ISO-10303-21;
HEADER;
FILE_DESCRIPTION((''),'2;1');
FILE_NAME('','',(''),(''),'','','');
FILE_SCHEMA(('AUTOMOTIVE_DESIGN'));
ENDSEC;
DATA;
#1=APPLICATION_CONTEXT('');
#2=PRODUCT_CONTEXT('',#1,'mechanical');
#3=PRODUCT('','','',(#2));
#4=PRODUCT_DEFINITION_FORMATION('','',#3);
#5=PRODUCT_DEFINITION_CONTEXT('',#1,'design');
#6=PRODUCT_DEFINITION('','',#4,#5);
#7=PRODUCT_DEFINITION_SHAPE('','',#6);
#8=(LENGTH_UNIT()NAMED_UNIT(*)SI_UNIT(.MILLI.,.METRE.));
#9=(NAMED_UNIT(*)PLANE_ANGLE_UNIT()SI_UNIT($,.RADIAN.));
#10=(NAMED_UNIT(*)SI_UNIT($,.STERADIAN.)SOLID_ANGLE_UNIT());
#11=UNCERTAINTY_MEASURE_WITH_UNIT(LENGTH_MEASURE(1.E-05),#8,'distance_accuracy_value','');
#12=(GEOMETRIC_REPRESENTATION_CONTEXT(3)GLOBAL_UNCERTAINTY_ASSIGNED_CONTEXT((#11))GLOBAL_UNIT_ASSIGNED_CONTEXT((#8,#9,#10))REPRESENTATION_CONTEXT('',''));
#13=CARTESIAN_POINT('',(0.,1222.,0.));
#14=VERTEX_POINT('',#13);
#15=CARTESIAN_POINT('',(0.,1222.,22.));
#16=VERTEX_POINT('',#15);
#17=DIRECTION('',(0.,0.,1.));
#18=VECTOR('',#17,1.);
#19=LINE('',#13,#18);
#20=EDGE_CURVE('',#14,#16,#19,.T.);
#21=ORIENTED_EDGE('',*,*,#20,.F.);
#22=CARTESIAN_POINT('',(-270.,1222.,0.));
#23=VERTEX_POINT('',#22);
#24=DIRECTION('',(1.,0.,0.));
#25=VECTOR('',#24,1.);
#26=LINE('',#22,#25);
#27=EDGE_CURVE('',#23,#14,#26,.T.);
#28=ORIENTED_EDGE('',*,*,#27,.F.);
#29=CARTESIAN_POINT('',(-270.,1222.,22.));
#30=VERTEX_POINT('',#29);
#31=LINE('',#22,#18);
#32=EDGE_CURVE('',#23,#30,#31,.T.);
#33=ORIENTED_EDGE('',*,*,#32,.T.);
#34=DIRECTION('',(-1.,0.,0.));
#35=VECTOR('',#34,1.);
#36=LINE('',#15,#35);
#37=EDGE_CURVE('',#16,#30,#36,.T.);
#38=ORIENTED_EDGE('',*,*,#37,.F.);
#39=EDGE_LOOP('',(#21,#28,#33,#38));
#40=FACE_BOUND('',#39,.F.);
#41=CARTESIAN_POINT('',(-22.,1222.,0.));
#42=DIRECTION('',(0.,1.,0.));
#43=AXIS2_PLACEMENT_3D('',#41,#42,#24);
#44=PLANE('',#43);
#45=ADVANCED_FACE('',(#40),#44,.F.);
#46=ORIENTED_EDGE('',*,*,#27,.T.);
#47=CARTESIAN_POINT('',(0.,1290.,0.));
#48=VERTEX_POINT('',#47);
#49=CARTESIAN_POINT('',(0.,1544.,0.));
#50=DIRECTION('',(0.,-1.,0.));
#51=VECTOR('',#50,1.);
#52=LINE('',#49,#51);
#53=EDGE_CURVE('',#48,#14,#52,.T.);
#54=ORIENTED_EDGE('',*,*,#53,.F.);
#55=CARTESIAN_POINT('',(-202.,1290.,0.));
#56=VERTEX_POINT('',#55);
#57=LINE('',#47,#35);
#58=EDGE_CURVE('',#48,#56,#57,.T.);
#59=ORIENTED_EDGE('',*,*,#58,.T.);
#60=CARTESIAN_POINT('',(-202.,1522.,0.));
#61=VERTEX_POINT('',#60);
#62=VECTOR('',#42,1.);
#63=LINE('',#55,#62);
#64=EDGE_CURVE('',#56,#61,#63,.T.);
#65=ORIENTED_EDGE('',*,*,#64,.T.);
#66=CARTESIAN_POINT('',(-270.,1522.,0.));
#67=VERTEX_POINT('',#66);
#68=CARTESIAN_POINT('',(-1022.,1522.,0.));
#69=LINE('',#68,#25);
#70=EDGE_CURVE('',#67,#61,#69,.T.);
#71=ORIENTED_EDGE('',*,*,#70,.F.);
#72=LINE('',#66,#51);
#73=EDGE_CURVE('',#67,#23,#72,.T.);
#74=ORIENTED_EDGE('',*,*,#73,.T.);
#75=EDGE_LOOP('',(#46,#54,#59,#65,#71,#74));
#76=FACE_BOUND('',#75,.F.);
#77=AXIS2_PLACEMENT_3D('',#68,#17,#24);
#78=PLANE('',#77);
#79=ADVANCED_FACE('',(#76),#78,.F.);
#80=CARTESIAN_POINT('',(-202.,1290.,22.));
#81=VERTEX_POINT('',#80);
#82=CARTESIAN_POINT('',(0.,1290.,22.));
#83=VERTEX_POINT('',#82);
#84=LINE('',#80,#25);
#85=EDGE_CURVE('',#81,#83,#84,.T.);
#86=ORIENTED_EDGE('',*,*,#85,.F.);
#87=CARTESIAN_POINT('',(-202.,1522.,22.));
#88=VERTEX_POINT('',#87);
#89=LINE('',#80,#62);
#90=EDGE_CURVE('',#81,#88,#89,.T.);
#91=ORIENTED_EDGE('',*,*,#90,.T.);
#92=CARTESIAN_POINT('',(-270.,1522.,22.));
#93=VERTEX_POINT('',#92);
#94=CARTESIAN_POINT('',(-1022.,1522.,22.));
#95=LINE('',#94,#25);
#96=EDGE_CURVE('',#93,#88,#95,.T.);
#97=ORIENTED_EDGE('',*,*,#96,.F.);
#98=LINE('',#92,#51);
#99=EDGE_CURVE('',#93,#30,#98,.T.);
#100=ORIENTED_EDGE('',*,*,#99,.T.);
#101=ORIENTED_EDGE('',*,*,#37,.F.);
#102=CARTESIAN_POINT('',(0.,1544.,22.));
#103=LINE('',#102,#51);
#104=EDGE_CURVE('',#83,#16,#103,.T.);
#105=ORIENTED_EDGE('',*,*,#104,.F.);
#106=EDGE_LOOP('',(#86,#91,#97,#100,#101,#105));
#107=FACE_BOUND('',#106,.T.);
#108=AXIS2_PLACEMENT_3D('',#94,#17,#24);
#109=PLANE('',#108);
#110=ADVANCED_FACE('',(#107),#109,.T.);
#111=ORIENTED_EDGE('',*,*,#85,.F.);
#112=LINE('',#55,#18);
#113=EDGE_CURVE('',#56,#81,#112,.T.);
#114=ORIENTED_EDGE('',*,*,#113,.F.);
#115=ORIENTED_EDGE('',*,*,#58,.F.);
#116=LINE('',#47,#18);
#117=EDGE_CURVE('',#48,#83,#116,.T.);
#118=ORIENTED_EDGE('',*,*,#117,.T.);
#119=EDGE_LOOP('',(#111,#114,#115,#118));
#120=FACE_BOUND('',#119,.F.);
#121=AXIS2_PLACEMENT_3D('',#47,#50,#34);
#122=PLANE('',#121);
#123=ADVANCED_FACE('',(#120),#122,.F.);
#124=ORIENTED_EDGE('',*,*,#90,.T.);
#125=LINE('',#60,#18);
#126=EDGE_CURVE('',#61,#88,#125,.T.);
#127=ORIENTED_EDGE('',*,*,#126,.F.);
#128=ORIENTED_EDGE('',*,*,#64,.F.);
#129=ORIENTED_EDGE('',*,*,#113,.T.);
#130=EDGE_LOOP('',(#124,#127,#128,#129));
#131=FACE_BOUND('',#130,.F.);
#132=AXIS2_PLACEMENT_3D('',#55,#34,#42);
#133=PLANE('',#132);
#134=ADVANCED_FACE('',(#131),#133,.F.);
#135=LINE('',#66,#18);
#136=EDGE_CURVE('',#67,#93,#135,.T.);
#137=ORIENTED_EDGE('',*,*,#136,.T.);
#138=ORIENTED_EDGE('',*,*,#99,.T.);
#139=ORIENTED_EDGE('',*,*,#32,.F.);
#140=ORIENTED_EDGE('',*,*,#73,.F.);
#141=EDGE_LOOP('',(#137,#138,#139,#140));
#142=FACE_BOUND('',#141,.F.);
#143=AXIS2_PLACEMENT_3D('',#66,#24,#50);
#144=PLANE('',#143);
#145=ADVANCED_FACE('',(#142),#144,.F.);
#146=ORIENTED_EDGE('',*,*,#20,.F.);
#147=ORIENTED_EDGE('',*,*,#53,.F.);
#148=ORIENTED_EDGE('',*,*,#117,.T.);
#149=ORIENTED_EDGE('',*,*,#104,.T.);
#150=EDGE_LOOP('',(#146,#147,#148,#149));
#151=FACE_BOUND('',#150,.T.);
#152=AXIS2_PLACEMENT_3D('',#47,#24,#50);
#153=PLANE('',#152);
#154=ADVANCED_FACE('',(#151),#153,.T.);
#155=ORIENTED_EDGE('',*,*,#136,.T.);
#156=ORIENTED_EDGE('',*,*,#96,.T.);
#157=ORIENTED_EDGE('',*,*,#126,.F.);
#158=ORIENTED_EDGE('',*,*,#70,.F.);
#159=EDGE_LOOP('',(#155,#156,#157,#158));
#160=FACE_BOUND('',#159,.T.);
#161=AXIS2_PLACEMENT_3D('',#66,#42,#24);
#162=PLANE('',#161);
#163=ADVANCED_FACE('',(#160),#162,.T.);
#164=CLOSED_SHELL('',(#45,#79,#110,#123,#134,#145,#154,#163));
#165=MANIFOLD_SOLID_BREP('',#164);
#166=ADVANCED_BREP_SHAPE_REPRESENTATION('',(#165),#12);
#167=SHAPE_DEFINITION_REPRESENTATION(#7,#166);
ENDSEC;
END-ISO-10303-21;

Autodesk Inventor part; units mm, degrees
ref_plane "YZ Plane" through (0, 0, 0) normal (1, 0, 0) x (0, 1, 0)
ref_plane "XZ Plane" through (0, 0, 0) normal (0, 1, 0) x (-1, 0, 0)
ref_plane "XY Plane" through (0, 0, 0) normal (0, 0, 1) x (1, 0, 0)
ref_plane "Work Plane1" through (-1022, 1522, 0) normal (0, 0, 1) x (1, 0, 0)
sketch "Sketch1" plane through (-1022, 1522, 0) normal (0, 0, 1) x (1, 0, 0)
  line L0 (1022, 22) -> (1022, -1522) projected
  line L1 (1022, 22) -> (1000, 22) projected
  line L2 (1000, -1522) -> (1000, 22) projected
  line L3 (1022, -1522) -> (1000, -1522) projected
  circle A0 centre (880.1401, -150.1401) radius 55 projected
  line L4 (0, 0) -> (1000, 0) projected
  line L5 (1000, 0) -> (1000, 22) projected
  line L6 (0, 22) -> (1000, 22) projected
  line L7 (0, 0) -> (0, 22) projected
  line L8 (752, 0) -> (752, -300)
  line L9 (752, -300) -> (1022, -300)
  line L10 (1022, -300) -> (1022, -232)
  line L11 (1022, -232) -> (820, -232)
  line L12 (820, -232) -> (820, 0)
  line L13 (1022, 22) -> (1000, 22)
  line L14 (820, 0) -> (752, 0)
  line L15 (0, 0) -> (2000, 0) construction
  line L16 (0, 0) -> (2000, 0) construction
  point P0 (1022, -1522)
  dimension "d0" = 270
  dimension "d1" = 300
  dimension "d3" = 232
  dimension "d4" = 202
  dimension "d6" = 2000
  dimension "d8" = 1022
extrude "Extrusion1" add sketch "Sketch1" along normal blind 22 contours L0 L9 L2 L11 | L2 L9 L8 L4 L12 L11
properties part number "Jig_nodeAirInlet"
